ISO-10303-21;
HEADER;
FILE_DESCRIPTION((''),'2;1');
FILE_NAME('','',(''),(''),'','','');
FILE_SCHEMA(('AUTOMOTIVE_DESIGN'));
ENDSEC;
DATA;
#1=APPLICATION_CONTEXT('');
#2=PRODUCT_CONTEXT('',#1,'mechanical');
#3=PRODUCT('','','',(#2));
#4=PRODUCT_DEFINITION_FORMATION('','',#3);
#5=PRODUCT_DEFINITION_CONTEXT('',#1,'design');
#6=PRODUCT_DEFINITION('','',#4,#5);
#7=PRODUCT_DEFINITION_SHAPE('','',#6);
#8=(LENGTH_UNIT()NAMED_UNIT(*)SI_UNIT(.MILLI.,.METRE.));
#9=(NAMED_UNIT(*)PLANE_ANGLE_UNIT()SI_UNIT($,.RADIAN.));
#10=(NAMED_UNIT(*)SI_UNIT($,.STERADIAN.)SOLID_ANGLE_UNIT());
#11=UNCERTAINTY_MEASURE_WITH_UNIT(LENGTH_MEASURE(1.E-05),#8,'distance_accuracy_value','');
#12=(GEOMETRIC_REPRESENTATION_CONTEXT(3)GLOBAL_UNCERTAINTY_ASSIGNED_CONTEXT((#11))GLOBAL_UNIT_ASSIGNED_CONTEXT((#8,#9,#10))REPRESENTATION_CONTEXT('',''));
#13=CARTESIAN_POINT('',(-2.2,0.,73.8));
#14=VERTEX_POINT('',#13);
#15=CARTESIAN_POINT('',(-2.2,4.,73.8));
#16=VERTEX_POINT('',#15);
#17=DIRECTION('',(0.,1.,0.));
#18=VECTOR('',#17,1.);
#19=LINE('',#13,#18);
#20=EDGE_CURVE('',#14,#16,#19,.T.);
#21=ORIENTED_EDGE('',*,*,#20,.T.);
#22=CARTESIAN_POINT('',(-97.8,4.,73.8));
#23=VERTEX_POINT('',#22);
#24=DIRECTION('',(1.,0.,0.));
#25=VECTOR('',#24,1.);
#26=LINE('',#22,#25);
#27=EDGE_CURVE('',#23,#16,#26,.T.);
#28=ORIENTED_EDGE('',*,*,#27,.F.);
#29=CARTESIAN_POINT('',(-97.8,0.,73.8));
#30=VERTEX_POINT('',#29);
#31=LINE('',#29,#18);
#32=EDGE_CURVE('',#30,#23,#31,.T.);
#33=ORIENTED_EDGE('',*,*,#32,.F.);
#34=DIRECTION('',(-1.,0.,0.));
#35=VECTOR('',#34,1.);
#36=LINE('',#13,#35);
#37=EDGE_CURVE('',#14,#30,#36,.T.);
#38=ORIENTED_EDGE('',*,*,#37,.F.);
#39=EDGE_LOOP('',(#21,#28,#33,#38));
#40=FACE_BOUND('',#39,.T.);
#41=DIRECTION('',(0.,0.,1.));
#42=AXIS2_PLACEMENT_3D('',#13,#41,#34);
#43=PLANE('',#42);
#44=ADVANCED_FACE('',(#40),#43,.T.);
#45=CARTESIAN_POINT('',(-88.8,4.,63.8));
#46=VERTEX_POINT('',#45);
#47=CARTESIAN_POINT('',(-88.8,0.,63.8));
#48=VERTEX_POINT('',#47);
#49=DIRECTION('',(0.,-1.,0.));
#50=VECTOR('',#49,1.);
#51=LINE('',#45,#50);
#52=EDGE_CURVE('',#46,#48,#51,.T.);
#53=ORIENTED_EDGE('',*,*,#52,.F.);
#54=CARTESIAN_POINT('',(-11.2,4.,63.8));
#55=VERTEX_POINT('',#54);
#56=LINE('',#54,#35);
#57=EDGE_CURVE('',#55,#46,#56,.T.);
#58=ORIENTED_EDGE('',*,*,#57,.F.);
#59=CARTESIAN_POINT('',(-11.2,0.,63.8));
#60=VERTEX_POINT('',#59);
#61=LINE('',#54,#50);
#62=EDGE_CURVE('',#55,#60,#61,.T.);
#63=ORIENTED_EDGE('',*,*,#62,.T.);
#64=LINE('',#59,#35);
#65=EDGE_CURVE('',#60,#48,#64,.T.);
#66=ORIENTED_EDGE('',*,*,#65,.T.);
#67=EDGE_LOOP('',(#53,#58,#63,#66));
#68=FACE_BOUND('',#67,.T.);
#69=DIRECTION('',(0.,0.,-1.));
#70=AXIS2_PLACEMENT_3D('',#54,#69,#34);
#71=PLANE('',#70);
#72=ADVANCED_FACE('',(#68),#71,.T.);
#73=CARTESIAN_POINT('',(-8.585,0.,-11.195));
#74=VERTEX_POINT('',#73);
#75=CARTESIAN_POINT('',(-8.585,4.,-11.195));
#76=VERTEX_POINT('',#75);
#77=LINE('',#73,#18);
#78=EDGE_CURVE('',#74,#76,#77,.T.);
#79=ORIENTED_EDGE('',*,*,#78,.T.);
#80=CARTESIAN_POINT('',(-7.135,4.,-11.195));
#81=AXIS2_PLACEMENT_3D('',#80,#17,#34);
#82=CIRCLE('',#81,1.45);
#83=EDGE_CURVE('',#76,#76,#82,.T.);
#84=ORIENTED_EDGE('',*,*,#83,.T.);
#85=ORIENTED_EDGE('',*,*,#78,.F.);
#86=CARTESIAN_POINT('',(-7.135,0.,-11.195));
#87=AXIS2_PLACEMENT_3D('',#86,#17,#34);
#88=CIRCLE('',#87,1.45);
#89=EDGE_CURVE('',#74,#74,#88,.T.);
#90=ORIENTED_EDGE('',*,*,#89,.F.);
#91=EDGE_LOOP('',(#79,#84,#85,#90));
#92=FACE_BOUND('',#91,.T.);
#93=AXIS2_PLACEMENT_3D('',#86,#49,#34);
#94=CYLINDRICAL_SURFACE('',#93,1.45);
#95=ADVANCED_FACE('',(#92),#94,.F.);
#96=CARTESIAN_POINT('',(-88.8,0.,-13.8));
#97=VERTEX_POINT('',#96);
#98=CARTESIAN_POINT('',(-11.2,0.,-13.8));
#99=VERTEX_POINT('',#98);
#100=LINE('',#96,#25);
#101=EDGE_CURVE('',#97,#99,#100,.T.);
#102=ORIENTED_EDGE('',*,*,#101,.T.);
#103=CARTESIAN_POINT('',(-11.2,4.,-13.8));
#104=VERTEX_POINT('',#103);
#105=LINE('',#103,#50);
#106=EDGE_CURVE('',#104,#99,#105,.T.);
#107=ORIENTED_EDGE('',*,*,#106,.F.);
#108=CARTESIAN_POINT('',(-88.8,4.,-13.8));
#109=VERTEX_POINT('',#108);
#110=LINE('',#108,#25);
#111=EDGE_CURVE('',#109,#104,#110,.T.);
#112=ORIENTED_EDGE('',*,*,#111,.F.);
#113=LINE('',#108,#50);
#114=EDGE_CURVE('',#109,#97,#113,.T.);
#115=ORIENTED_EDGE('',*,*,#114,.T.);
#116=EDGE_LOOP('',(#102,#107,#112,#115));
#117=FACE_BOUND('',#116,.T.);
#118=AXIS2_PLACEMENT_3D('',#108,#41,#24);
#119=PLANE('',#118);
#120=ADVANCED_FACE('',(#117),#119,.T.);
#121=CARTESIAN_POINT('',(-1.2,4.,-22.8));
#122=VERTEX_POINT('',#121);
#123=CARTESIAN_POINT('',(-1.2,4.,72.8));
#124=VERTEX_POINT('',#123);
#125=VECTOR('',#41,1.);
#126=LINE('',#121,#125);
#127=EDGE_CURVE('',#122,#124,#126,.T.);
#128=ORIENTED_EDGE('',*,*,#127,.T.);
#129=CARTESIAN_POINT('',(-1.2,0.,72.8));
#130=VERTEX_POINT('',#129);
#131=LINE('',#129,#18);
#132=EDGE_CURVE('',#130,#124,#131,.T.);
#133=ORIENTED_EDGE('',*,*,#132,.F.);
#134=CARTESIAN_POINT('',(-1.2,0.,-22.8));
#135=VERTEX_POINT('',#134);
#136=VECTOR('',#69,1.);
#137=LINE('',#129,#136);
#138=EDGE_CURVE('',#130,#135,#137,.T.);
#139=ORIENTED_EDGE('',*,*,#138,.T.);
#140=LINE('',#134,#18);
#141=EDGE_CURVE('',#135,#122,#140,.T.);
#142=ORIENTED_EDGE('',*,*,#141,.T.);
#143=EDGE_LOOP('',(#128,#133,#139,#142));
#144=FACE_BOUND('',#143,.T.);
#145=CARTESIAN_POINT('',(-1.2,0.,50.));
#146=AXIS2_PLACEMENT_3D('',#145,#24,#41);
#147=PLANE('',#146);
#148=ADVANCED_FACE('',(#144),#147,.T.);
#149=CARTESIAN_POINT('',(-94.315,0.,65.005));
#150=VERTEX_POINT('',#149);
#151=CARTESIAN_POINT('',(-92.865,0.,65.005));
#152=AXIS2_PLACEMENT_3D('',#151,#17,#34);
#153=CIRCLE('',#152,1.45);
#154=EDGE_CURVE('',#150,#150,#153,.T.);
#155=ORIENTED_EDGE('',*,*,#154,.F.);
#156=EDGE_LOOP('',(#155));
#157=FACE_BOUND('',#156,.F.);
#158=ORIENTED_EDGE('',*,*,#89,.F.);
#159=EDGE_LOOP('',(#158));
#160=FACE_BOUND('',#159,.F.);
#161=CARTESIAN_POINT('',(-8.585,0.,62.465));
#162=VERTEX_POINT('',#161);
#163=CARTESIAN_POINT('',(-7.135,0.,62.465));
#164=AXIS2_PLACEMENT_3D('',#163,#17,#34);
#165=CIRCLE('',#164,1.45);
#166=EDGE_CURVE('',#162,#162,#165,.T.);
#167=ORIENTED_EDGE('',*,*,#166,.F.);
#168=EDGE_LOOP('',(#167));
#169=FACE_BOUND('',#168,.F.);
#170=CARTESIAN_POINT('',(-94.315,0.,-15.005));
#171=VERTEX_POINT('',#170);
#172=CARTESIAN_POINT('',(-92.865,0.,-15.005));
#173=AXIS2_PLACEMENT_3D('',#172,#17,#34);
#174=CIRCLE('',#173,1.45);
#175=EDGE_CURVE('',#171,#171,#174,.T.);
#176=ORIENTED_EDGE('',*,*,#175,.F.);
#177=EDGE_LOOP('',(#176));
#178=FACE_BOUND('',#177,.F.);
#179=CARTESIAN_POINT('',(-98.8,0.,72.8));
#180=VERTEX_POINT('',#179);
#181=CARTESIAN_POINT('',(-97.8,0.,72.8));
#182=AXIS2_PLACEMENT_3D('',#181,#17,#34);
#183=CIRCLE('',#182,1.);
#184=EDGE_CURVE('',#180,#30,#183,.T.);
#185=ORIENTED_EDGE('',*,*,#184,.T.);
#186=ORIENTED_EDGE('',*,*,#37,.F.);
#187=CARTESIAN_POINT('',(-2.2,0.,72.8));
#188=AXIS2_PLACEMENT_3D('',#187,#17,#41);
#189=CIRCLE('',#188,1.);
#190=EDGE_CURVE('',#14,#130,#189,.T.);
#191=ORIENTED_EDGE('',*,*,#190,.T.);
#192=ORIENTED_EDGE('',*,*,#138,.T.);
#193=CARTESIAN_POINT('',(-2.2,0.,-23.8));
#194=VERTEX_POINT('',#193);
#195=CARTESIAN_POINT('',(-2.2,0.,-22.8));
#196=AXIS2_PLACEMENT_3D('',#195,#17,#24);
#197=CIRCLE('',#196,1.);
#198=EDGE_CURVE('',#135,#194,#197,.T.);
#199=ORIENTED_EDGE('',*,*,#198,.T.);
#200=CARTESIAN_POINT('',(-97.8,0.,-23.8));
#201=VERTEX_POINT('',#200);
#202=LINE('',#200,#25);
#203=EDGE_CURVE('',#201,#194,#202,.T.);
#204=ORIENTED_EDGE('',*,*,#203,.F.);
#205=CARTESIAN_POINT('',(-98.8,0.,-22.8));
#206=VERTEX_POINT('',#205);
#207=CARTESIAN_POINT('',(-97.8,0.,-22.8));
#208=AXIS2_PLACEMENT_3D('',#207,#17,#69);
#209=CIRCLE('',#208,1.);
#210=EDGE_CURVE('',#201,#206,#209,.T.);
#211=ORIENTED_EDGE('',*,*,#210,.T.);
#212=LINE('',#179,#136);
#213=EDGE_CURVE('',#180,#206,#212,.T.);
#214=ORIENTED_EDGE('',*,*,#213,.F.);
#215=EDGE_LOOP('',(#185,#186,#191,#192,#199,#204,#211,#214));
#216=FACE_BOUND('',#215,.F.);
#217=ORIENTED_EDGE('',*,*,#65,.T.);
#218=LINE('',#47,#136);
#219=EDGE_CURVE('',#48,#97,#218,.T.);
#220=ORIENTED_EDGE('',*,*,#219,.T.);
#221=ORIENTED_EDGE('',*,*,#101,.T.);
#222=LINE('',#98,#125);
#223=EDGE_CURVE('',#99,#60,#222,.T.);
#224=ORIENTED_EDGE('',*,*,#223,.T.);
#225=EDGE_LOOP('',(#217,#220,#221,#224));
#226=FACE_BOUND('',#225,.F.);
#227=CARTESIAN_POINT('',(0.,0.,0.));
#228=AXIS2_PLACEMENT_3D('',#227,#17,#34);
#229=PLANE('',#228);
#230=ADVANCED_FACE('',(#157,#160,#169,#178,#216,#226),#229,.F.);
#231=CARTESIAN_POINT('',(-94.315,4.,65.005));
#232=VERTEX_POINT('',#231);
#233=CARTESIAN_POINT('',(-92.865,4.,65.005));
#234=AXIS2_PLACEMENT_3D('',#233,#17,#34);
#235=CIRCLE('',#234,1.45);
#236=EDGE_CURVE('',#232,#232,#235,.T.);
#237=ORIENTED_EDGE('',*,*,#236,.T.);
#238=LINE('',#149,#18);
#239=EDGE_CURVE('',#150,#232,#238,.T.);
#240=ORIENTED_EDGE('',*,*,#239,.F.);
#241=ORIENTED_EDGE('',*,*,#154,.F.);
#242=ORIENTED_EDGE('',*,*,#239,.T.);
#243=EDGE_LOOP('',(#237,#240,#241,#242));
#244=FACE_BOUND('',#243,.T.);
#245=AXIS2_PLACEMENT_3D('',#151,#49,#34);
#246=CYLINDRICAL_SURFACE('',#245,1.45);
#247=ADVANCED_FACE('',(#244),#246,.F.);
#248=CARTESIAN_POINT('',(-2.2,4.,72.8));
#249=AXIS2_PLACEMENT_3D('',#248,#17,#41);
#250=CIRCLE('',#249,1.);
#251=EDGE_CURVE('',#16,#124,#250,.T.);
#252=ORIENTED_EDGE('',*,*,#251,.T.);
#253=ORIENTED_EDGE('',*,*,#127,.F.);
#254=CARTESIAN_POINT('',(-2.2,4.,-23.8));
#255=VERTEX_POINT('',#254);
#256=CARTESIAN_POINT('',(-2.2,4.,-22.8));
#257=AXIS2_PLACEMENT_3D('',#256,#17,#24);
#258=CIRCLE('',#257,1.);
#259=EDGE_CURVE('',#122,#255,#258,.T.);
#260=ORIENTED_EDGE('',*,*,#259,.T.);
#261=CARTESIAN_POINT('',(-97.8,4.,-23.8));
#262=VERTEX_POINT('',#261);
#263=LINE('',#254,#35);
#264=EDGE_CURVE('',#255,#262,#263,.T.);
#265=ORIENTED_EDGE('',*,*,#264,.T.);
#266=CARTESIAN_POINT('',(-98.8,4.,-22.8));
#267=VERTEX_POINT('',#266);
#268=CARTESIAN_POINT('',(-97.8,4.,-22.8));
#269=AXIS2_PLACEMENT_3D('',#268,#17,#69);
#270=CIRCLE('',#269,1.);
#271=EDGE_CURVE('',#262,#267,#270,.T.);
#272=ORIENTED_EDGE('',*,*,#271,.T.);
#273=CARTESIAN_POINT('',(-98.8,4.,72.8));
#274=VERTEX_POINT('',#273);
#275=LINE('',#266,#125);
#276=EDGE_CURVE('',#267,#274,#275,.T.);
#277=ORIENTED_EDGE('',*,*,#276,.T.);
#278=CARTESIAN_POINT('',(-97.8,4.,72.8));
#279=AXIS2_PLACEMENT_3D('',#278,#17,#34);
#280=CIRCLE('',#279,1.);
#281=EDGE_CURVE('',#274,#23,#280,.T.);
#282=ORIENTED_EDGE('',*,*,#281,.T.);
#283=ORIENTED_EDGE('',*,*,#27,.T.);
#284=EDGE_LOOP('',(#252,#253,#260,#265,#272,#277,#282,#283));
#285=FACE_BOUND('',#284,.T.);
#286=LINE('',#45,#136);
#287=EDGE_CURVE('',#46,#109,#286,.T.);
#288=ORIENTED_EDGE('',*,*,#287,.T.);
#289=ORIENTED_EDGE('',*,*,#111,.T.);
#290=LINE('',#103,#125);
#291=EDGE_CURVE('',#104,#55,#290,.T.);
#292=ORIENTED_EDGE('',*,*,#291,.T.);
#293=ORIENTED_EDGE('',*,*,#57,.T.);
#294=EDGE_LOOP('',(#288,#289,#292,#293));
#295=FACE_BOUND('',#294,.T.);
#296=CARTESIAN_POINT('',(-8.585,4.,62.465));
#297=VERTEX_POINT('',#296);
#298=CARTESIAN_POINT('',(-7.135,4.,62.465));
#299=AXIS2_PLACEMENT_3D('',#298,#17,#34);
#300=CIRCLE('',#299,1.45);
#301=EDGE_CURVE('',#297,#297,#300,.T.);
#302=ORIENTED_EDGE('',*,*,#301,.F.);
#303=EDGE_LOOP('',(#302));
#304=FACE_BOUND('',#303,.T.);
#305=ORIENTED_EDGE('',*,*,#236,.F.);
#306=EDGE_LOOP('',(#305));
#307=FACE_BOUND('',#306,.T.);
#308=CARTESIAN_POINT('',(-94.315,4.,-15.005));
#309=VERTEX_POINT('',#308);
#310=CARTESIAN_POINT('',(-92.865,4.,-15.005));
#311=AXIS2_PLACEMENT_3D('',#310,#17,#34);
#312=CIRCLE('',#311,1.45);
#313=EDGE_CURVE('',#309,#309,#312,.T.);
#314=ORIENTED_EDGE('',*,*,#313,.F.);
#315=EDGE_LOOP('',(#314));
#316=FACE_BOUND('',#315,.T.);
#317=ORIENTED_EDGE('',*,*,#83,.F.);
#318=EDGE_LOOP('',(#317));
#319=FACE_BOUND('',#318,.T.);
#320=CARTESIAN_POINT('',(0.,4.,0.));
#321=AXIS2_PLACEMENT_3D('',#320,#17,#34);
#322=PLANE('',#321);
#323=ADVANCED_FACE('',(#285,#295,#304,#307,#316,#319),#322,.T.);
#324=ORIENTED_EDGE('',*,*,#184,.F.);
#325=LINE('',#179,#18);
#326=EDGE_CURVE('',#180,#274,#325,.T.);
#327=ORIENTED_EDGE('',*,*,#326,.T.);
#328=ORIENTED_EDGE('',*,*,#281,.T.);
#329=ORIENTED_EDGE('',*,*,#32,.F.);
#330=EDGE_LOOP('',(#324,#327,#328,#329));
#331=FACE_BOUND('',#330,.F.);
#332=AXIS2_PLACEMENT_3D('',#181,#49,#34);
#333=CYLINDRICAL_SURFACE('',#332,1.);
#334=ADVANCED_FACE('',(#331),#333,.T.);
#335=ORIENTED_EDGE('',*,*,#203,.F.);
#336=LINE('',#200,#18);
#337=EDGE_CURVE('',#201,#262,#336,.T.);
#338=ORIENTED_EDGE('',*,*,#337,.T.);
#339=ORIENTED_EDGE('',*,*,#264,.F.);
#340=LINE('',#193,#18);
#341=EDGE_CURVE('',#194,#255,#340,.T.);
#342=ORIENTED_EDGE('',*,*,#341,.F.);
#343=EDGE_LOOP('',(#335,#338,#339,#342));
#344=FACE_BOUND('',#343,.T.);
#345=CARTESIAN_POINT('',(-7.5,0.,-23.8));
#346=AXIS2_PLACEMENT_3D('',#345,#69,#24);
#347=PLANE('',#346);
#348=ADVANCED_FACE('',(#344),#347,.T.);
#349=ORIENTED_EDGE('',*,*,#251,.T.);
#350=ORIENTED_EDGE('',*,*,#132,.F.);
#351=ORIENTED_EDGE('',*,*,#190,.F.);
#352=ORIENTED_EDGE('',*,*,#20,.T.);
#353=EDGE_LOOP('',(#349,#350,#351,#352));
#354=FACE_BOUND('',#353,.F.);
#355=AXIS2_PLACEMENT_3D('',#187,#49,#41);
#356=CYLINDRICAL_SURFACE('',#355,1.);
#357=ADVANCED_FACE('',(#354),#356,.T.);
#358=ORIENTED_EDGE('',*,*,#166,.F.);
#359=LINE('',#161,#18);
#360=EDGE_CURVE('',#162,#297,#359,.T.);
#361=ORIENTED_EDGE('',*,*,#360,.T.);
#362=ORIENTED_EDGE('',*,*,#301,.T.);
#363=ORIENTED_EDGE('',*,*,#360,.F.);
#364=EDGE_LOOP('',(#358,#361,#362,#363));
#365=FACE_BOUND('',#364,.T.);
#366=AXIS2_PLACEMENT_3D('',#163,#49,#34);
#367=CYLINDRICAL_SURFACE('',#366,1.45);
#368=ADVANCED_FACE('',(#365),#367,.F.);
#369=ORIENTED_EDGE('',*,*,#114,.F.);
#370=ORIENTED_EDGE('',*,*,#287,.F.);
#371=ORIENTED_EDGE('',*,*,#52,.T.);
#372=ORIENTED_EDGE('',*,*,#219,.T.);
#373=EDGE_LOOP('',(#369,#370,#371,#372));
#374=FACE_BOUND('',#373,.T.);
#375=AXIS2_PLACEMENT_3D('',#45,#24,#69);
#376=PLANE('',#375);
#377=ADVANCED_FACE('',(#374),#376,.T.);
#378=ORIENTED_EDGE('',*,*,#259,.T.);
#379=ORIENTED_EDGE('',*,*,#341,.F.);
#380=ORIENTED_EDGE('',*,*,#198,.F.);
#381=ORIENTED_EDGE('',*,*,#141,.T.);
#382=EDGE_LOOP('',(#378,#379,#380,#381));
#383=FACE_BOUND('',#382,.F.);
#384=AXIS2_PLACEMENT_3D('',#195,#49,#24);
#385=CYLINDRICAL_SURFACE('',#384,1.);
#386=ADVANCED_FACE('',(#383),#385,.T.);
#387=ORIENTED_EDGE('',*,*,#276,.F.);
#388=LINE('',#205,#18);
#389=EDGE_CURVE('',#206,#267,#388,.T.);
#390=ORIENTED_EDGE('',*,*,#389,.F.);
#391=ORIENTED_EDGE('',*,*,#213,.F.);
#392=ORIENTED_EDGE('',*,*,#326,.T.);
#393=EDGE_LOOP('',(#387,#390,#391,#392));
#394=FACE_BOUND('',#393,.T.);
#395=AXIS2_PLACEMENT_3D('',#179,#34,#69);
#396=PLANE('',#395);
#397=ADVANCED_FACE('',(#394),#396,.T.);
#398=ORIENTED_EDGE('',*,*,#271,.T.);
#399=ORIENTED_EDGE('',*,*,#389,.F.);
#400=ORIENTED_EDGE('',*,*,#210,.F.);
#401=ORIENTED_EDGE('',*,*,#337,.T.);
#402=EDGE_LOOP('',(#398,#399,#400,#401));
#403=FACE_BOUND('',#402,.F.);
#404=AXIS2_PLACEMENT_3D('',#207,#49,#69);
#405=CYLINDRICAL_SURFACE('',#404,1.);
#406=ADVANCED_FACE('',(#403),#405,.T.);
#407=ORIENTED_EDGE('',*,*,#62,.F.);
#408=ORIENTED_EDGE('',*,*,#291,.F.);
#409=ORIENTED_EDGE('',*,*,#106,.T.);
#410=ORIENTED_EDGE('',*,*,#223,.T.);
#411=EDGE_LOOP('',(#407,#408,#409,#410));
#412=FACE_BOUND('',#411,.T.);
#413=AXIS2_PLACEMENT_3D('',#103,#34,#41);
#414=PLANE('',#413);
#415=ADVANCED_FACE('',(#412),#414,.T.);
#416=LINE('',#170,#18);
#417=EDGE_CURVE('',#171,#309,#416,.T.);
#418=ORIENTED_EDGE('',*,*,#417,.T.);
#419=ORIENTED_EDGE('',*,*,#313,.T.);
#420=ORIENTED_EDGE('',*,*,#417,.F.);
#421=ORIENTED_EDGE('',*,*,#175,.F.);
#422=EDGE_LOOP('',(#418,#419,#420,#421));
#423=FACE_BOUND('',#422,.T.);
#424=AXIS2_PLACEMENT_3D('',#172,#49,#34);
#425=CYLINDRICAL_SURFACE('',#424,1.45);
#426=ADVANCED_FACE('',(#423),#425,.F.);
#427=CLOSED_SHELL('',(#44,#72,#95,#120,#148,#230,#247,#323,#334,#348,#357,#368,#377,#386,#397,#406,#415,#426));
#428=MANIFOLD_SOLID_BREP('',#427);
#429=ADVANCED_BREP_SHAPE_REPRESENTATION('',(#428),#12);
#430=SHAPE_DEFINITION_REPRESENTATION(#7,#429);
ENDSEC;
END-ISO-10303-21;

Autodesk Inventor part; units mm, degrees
ref_plane "YZ Plane" through (0, 0, 0) normal (1, 0, 0) x (0, 1, 0)
ref_plane "XZ Plane" through (0, 0, 0) normal (0, 1, 0) x (-1, 0, 0)
ref_plane "XY Plane" through (0, 0, 0) normal (0, 0, 1) x (1, 0, 0)
sketch "Sketch1" plane through (0, 0, 0) normal (0, 1, 0) x (-1, 0, 0)
  line L0 (1.2, 50) -> (1.2, 66.5)
  arc A0 (2.2, 73.8) -> (1.2, 72.8) centre (2.2, 72.8) ccw
  line L1 (1.2, 67.5) -> (1.2, 72.8)
  line L2 (1.2, 66.5) -> (1.2, 67.5)
  line L3 (7.5, 73.8) -> (8.5, 73.8)
  line L4 (2.2, 73.8) -> (7.5, 73.8)
  line L5 (8.5, 73.8) -> (25, 73.8)
  arc A1 (1.2, -22.8) -> (2.2, -23.8) centre (2.2, -22.8) ccw
  line L6 (1.2, -22.8) -> (1.2, -17.5)
  line L7 (7.5, -23.8) -> (2.2, -23.8)
  line L8 (8.5, -23.8) -> (7.5, -23.8)
  line L9 (25, -23.8) -> (8.5, -23.8)
  line L10 (1.2, -16.5) -> (1.2, 0)
  line L11 (1.2, -17.5) -> (1.2, -16.5)
  line L12 (97.8, -23.8) -> (92.5, -23.8)
  line L13 (92.5, -23.8) -> (91.5, -23.8)
  line L14 (91.5, -23.8) -> (75, -23.8)
  line L15 (98.8, -17.5) -> (98.8, -22.8)
  arc A2 (97.8, -23.8) -> (98.8, -22.8) centre (97.8, -22.8) ccw
  line L16 (98.8, -16.5) -> (98.8, -17.5)
  line L17 (98.8, 0) -> (98.8, -16.5)
  line L18 (91.5, 73.8) -> (92.5, 73.8)
  line L19 (75, 73.8) -> (91.5, 73.8)
  line L20 (92.5, 73.8) -> (97.8, 73.8)
  arc A3 (98.8, 72.8) -> (97.8, 73.8) centre (97.8, 72.8) ccw
  line L21 (98.8, 72.8) -> (98.8, 67.5)
  line L22 (98.8, 66.5) -> (98.8, 50)
  line L23 (98.8, 67.5) -> (98.8, 66.5)
  line L24 (1.2, 0) -> (1.2, 50)
  line L25 (25, -23.8) -> (75, -23.8)
  line L26 (98.8, 0) -> (98.8, 50)
  line L27 (75, 73.8) -> (25, 73.8)
  circle A4 centre (7.135, 62.465) radius 1.45
  circle A5 centre (7.135, -11.195) radius 1.45
  circle A6 centre (92.865, 65.005) radius 1.45
  circle A7 centre (92.865, -15.005) radius 1.45
extrude "Extrusion1" add sketch "Sketch1" along normal blind 4
sketch "Sketch2" plane through (0, 4, 0) normal (0, 1, 0) x (1, 0, 0)
  line L0 (-98.8, 22.8) -> (-98.8, -72.8) projected
  arc A0 (-98.8, -72.8) -> (-97.8, -73.8) centre (-97.8, -72.8) ccw projected
  line L1 (-97.8, -73.8) -> (-2.2, -73.8) projected
  arc A1 (-2.2, -73.8) -> (-1.2, -72.8) centre (-2.2, -72.8) ccw projected
  line L2 (-1.2, -72.8) -> (-1.2, 22.8) projected
  arc A2 (-1.2, 22.8) -> (-2.2, 23.8) centre (-2.2, 22.8) ccw projected
  line L3 (-2.2, 23.8) -> (-97.8, 23.8) projected
  arc A3 (-97.8, 23.8) -> (-98.8, 22.8) centre (-97.8, 22.8) ccw projected
  circle A4 centre (-92.865, -65.005) radius 1.45 projected
  circle A5 centre (-92.865, 15.005) radius 1.45 projected
  circle A6 centre (-7.135, -62.465) radius 1.45 projected
  circle A7 centre (-7.135, 11.195) radius 1.45 projected
  line L4 (-97.8, -72.8) -> (-2.2, 22.8)
  line L5 (-11.2, -63.8) -> (-88.8, -63.8)
  line L6 (-88.8, -63.8) -> (-88.8, 13.8)
  line L7 (-88.8, 13.8) -> (-11.2, 13.8)
  line L8 (-11.2, 13.8) -> (-11.2, -63.8)
  line L9 (-11.2, -63.8) -> (-88.8, 13.8) construction
  line L10 (-88.8, -63.8) -> (-11.2, 13.8) construction
  point P0 (0, 0)
  point P1 (-50, -25)
  dimension "d4" = 10
  dimension "d5" = 10
extrude "Extrusion2" cut sketch "Sketch2" against normal blind 4 contours L6 L7 L4 | L4 L8 L5
properties part number "middleplate" material "ABS Plastic"
